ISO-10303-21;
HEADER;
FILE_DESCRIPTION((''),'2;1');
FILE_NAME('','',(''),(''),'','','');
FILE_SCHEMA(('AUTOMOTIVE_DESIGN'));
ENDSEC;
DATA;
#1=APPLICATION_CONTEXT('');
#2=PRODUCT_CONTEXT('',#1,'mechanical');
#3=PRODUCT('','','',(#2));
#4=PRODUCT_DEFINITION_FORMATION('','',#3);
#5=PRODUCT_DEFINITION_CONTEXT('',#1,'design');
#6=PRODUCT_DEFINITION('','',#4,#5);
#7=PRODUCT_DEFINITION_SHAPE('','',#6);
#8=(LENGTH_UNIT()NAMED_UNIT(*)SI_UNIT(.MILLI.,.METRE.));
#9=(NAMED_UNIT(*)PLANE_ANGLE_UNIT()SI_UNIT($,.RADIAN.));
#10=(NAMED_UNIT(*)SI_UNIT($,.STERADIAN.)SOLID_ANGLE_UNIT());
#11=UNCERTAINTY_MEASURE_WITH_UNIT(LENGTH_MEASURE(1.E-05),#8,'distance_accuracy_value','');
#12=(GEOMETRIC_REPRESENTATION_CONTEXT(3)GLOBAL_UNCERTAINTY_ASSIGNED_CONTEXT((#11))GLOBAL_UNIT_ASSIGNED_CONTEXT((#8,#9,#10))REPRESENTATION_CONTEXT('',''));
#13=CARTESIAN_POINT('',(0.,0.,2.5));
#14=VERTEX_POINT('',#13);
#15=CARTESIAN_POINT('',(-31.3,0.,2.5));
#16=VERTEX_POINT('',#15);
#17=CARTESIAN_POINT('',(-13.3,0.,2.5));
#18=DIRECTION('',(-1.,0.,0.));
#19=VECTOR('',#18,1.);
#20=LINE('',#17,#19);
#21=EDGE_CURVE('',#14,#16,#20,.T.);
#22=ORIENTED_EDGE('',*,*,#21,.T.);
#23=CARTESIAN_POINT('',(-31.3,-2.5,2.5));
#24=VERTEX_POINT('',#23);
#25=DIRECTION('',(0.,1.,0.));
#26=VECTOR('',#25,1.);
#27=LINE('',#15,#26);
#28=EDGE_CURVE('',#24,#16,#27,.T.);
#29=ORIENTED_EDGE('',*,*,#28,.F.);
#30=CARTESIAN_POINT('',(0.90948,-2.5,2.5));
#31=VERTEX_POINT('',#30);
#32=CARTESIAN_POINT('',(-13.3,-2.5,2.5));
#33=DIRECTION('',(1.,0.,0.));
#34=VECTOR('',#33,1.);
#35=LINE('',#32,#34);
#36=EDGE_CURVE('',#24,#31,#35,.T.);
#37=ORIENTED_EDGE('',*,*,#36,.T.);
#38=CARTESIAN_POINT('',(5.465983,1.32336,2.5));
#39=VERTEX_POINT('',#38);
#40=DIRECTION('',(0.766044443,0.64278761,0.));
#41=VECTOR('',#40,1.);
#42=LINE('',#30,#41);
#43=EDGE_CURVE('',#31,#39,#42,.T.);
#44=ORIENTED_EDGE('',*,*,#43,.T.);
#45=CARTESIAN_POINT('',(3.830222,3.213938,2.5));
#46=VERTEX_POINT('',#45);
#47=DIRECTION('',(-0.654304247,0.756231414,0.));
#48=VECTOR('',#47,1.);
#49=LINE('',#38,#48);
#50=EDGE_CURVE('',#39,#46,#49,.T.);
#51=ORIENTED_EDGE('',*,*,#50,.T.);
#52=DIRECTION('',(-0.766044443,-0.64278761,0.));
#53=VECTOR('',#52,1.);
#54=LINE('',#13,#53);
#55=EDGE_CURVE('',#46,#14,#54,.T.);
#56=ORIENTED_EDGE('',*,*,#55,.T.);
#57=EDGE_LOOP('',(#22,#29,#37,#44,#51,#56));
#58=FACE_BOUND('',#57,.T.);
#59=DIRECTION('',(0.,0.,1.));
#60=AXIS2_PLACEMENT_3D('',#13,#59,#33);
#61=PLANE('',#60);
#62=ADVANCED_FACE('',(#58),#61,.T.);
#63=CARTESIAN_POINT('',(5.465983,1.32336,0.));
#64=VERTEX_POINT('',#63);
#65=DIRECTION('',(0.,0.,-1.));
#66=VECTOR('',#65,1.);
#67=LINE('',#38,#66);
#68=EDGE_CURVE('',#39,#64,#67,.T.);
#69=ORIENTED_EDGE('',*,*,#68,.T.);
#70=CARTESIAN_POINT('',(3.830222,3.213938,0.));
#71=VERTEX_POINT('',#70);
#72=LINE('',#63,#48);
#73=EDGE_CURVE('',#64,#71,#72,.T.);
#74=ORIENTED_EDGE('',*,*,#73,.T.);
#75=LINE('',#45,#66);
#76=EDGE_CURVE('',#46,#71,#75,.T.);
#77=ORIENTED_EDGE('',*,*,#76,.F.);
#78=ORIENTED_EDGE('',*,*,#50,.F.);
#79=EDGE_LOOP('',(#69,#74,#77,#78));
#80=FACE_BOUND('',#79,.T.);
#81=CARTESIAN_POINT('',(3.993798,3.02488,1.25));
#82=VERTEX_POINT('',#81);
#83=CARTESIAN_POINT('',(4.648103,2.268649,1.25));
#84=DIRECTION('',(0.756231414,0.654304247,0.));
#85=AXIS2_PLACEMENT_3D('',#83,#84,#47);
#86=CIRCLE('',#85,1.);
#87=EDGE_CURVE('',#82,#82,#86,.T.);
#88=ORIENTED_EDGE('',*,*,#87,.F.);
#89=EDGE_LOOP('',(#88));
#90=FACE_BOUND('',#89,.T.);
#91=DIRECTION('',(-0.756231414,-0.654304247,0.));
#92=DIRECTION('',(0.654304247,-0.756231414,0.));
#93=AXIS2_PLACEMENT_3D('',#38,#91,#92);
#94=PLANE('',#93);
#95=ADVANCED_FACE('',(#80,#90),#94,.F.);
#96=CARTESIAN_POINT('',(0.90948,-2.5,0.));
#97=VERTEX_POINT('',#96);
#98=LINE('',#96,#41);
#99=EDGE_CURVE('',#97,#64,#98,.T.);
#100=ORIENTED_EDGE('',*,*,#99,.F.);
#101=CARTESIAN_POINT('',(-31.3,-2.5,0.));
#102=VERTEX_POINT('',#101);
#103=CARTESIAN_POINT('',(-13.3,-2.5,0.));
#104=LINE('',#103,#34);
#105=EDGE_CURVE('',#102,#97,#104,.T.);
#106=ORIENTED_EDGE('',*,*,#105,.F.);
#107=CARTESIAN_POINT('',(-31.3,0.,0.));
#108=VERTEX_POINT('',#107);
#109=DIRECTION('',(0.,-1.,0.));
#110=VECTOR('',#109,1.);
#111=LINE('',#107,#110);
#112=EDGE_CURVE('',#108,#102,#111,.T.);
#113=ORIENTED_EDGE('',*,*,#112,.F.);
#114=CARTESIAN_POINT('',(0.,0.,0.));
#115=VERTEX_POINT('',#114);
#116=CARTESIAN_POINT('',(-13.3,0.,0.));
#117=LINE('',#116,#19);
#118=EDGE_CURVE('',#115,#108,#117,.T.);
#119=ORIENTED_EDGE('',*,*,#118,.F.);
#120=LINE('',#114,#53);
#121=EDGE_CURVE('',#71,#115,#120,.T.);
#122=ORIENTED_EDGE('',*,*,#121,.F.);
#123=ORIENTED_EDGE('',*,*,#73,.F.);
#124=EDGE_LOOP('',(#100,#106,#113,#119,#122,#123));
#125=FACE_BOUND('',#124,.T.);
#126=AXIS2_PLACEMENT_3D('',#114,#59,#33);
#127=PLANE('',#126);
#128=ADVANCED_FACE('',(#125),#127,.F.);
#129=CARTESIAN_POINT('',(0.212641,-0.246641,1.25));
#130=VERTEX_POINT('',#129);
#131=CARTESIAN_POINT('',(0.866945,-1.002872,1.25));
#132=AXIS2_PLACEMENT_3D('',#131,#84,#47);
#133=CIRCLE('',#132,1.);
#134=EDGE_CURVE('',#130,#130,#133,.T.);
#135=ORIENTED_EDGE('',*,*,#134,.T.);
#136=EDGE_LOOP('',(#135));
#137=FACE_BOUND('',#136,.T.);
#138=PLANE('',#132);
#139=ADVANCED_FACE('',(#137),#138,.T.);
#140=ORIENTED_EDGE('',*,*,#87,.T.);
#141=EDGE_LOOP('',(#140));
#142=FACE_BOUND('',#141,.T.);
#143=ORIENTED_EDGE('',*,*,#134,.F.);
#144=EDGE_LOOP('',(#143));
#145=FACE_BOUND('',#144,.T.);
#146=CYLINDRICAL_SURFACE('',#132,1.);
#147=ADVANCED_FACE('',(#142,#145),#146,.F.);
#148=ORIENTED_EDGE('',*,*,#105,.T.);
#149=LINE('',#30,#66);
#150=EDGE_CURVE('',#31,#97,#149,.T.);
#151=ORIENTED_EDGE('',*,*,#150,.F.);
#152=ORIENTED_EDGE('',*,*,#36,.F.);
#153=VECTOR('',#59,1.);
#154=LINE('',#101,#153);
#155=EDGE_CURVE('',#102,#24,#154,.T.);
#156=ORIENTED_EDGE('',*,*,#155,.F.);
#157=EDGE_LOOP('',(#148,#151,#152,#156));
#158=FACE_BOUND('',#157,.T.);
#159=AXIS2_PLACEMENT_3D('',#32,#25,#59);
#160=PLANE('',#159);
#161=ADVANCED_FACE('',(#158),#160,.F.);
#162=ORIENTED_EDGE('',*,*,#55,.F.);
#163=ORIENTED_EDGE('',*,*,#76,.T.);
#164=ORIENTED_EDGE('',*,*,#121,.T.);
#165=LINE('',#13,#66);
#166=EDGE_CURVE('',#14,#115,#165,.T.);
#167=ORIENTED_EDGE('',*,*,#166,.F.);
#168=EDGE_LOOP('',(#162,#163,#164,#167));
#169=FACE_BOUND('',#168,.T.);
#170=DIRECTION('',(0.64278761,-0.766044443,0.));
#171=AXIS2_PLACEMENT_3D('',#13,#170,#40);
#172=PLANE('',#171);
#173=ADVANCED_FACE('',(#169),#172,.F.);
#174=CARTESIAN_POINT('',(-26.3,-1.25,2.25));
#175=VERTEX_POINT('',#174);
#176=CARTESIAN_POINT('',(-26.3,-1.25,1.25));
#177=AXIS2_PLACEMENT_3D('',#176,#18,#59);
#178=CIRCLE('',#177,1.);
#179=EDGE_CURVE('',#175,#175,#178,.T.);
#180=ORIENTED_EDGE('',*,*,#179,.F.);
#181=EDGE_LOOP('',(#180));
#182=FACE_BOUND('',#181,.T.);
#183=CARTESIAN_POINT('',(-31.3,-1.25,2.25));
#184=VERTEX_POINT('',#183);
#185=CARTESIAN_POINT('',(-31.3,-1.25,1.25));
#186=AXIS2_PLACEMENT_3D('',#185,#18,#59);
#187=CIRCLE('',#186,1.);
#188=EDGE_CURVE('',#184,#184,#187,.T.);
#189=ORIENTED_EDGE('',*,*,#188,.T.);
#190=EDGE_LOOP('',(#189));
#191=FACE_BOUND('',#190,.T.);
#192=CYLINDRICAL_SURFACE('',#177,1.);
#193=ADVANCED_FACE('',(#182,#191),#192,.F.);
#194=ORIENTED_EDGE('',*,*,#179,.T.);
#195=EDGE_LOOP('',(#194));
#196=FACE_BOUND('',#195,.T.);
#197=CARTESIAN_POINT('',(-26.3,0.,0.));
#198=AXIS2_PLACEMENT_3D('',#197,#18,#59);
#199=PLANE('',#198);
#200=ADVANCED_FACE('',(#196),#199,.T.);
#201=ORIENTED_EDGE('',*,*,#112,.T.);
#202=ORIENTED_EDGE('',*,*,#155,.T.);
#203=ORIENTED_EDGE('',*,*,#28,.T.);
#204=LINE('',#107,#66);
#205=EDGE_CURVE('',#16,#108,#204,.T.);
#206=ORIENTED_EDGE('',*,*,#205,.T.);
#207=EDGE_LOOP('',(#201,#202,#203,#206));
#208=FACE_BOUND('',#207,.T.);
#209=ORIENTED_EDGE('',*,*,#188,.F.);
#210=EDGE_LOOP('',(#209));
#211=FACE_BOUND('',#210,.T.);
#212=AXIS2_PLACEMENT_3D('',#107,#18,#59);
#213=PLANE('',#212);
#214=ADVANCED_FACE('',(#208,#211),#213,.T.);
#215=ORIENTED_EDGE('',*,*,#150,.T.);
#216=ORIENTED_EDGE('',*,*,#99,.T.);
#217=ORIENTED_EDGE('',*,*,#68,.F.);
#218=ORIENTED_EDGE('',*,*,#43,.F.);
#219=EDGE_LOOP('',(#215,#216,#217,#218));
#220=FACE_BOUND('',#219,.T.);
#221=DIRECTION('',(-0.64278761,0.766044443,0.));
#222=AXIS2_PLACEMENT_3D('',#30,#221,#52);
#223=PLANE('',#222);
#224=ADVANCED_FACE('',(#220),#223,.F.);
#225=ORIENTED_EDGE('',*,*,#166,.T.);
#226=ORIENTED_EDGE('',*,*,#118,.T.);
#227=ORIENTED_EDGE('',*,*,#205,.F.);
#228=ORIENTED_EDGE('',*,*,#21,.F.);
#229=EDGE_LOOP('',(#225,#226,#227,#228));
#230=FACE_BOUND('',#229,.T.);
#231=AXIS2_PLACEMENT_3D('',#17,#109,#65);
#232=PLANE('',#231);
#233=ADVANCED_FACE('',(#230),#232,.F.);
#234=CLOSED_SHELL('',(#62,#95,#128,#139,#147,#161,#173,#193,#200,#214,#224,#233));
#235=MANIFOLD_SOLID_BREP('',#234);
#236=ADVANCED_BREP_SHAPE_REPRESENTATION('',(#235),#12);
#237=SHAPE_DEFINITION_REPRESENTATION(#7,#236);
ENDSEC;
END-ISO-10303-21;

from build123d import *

# Parameters (mm, degrees)
BOSS_EXTRUDE1_DEPTH = 2.5
SKETCH2_R           = 1
CUT_EXTRUDE1_DEPTH  = 5
SKETCH3_R           = 1
CUT_EXTRUDE2_DEPTH  = 5
SKETCH4_R           = 1
BOSS_EXTRUDE2_DEPTH = 5
SKETCH6_W           = 2.5
SKETCH6_H           = 2.5
BOSS_EXTRUDE3_DEPTH = 25
SKETCH7_R           = 1
CUT_EXTRUDE3_DEPTH  = 5
SKETCH8_W           = 8
SKETCH8_H           = 2.5
CUT_EXTRUDE4_DEPTH  = 10
SKETCH9_R           = 1
CUT_EXTRUDE5_DEPTH  = 5
SKETCH10_R          = 1
BOSS_EXTRUDE4_DEPTH = 5
SKETCH11_W          = 2.5
SKETCH11_H          = 2.5
BOSS_EXTRUDE5_DEPTH = 1
SKETCH12_W          = 2.5
SKETCH12_H          = 2.5
BOSS_EXTRUDE6_DEPTH = 1
SKETCH13_W          = 2.5
SKETCH13_H          = 2.5
CUT_EXTRUDE6_DEPTH  = 1
CUT_EXTRUDE7_DEPTH  = 5


with BuildPart() as part:
    # Sketch1 → Boss-Extrude1 (new body)
    with BuildSketch(Plane.XY):
        Polygon((-13.3, 0), (0, 0), (3.830222216, 3.213938048), (5.465982834, 1.323359513), (0.909480399, -2.5), (-13.3, -2.5), align=None)
    extrude(amount=BOSS_EXTRUDE1_DEPTH)

    # Sketch2 → Cut-Extrude1 (cut)
    with BuildSketch(Plane(origin=(3.780724263, 3.271146765, 0), x_dir=(0, 0, -1), z_dir=(0.7562314141303861, 0.6543042474891605, 0))):
        with Locations(Location((-1.25, -1.325649749, 0), (0, 0, 90))):
            Circle(SKETCH2_R)
    extrude(amount=-CUT_EXTRUDE1_DEPTH, mode=Mode.SUBTRACT)

    # Sketch3 → Cut-Extrude2 (cut)
    with BuildSketch(Plane.ZY.offset(13.3)):
        with Locations((1.25, -1.25)):
            Circle(SKETCH3_R)
    extrude(amount=-CUT_EXTRUDE2_DEPTH, mode=Mode.SUBTRACT)

    # Sketch4 → Boss-Extrude2 (add)
    with BuildSketch(Plane.ZY.offset(13.3)):
        with Locations((1.25, -1.25)):
            Circle(SKETCH4_R)
    extrude(amount=-BOSS_EXTRUDE2_DEPTH)

    # Sketch6 → Boss-Extrude3 (add)
    with BuildSketch(Plane.ZY.offset(13.3)):
        with Locations((1.25, -1.25)):
            Rectangle(SKETCH6_W, SKETCH6_H)
    extrude(amount=BOSS_EXTRUDE3_DEPTH)

    # Sketch7 → Cut-Extrude3 (cut)
    with BuildSketch(Plane.ZY.offset(38.3)):
        with Locations((1.25, -1.25)):
            Circle(SKETCH7_R)
    extrude(amount=-CUT_EXTRUDE3_DEPTH, mode=Mode.SUBTRACT)

    # Sketch8 → Cut-Extrude4 (cut)
    with BuildSketch(Plane(origin=(0, 0, 0), x_dir=(-1, 0, 0), z_dir=(0, 0, -1))):
        with Locations((34.3, -1.25)):
            Rectangle(SKETCH8_W, SKETCH8_H)
    extrude(amount=-CUT_EXTRUDE4_DEPTH, mode=Mode.SUBTRACT)

    # Sketch9 → Cut-Extrude5 (cut)
    with BuildSketch(Plane.ZY.offset(30.3)):
        with Locations((1.25, -1.25)):
            Circle(SKETCH9_R)
    extrude(amount=-CUT_EXTRUDE5_DEPTH, mode=Mode.SUBTRACT)

    # Sketch10 → Boss-Extrude4 (add)
    with BuildSketch(Plane.ZY.offset(30.3)):
        with Locations((1.25, -1.25)):
            Circle(SKETCH10_R)
    extrude(amount=-BOSS_EXTRUDE4_DEPTH)

    # Sketch11 → Boss-Extrude5 (add)
    with BuildSketch(Plane.ZY.offset(30.3)):
        with Locations((1.25, -1.25)):
            Rectangle(SKETCH11_W, SKETCH11_H)
    extrude(amount=BOSS_EXTRUDE5_DEPTH)

    # Sketch12 → Boss-Extrude6 (add)
    with BuildSketch(Plane.ZY.offset(31.3)):
        with Locations((1.25, -1.25)):
            Rectangle(SKETCH12_W, SKETCH12_H)
    extrude(amount=BOSS_EXTRUDE6_DEPTH)

    # Sketch13 → Cut-Extrude6 (cut)
    with BuildSketch(Plane.ZY.offset(32.3)):
        with Locations((1.25, -1.25)):
            Rectangle(SKETCH13_W, SKETCH13_H)
    extrude(amount=-CUT_EXTRUDE6_DEPTH, mode=Mode.SUBTRACT)

    # Sketch14 → Cut-Extrude7 (cut)
    with BuildSketch(Plane.ZY.offset(31.3)):
        with BuildLine():
            ThreePointArc((2.25, -1.25), (1.25, -0.25), (0.25, -1.25))
            Line((0.25, -1.25), (2.25, -1.25))
        make_face()
        with BuildLine():
            Line((2.25, -1.25), (0.25, -1.25))
            ThreePointArc((0.25, -1.25), (1.25, -2.25), (2.25, -1.25))
        make_face()
    extrude(amount=-CUT_EXTRUDE7_DEPTH, mode=Mode.SUBTRACT)


solid = part.part
